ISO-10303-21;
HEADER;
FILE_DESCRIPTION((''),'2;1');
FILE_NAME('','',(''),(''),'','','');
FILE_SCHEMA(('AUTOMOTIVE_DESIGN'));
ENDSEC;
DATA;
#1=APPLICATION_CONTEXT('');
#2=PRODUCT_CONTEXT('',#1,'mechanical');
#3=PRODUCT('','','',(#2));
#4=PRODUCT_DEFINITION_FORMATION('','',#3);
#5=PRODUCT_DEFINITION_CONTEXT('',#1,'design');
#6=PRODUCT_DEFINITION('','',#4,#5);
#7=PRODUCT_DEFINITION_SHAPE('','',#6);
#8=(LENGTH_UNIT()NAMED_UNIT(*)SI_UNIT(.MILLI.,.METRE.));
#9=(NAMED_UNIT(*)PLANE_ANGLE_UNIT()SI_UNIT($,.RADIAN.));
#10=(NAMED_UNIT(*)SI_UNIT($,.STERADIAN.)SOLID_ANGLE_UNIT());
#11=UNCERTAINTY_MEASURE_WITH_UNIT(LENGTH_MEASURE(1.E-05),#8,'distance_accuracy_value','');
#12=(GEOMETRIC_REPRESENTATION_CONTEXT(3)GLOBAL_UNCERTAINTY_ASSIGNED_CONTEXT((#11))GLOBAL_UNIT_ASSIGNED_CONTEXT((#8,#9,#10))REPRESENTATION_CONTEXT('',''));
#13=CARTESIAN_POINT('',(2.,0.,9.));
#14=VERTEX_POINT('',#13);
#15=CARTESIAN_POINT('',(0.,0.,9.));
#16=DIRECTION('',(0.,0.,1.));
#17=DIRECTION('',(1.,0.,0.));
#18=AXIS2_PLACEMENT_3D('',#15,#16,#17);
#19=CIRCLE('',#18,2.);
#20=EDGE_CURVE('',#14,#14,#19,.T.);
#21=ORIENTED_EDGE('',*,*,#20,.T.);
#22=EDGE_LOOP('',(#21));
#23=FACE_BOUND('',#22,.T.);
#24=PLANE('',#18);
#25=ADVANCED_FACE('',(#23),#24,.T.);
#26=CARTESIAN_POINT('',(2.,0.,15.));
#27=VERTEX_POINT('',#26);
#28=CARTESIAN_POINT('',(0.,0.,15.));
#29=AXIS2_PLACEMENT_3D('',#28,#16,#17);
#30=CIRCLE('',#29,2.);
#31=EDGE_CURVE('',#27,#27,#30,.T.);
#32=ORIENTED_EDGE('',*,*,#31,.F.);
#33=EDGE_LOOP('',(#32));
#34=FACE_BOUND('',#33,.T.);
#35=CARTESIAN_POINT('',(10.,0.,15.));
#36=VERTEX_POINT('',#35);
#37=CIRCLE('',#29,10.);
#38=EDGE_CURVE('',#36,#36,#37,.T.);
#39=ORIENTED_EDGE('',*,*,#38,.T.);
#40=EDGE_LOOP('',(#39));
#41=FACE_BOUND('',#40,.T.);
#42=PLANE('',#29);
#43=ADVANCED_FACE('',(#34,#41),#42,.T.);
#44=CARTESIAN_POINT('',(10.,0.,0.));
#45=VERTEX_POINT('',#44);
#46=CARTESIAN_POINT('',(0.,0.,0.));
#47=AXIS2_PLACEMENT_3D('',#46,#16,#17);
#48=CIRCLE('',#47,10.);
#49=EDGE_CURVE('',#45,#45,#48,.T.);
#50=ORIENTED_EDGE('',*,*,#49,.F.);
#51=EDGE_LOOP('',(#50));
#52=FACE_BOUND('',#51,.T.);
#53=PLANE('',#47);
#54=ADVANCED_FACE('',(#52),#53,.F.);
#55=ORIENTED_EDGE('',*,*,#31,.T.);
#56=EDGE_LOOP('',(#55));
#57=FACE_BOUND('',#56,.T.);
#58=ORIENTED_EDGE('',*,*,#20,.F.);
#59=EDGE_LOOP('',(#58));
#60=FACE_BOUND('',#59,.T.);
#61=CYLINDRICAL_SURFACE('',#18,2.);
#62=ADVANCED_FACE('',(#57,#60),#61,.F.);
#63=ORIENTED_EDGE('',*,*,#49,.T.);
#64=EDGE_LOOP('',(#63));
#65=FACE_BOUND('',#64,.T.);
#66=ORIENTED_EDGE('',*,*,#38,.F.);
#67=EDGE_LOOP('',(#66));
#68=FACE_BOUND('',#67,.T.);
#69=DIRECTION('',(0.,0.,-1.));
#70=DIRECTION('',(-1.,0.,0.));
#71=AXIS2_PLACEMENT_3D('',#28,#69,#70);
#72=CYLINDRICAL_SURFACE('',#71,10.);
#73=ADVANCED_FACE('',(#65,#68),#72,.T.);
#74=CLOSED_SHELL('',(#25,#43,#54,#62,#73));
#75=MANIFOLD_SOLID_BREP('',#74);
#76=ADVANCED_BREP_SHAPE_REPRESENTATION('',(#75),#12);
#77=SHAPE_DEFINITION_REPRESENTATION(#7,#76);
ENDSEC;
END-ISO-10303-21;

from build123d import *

# Parameters (mm, degrees)
SKETCH_1_R          = 10
EXTRUDE_1_DEPTH     = 15
SKETCH_2_R          = 2
CUT_EXTRUDE_1_DEPTH = 6


with BuildPart() as part:
    # 草图1 → 凸台-拉伸1 (new body)
    with BuildSketch(Plane.XY):
        Circle(SKETCH_1_R)
    extrude(amount=EXTRUDE_1_DEPTH)

    # 草图2 → 切除-拉伸1 (cut)
    with BuildSketch(Plane.XY.offset(15)):
        Circle(SKETCH_2_R)
    extrude(amount=-CUT_EXTRUDE_1_DEPTH, mode=Mode.SUBTRACT)


solid = part.part
